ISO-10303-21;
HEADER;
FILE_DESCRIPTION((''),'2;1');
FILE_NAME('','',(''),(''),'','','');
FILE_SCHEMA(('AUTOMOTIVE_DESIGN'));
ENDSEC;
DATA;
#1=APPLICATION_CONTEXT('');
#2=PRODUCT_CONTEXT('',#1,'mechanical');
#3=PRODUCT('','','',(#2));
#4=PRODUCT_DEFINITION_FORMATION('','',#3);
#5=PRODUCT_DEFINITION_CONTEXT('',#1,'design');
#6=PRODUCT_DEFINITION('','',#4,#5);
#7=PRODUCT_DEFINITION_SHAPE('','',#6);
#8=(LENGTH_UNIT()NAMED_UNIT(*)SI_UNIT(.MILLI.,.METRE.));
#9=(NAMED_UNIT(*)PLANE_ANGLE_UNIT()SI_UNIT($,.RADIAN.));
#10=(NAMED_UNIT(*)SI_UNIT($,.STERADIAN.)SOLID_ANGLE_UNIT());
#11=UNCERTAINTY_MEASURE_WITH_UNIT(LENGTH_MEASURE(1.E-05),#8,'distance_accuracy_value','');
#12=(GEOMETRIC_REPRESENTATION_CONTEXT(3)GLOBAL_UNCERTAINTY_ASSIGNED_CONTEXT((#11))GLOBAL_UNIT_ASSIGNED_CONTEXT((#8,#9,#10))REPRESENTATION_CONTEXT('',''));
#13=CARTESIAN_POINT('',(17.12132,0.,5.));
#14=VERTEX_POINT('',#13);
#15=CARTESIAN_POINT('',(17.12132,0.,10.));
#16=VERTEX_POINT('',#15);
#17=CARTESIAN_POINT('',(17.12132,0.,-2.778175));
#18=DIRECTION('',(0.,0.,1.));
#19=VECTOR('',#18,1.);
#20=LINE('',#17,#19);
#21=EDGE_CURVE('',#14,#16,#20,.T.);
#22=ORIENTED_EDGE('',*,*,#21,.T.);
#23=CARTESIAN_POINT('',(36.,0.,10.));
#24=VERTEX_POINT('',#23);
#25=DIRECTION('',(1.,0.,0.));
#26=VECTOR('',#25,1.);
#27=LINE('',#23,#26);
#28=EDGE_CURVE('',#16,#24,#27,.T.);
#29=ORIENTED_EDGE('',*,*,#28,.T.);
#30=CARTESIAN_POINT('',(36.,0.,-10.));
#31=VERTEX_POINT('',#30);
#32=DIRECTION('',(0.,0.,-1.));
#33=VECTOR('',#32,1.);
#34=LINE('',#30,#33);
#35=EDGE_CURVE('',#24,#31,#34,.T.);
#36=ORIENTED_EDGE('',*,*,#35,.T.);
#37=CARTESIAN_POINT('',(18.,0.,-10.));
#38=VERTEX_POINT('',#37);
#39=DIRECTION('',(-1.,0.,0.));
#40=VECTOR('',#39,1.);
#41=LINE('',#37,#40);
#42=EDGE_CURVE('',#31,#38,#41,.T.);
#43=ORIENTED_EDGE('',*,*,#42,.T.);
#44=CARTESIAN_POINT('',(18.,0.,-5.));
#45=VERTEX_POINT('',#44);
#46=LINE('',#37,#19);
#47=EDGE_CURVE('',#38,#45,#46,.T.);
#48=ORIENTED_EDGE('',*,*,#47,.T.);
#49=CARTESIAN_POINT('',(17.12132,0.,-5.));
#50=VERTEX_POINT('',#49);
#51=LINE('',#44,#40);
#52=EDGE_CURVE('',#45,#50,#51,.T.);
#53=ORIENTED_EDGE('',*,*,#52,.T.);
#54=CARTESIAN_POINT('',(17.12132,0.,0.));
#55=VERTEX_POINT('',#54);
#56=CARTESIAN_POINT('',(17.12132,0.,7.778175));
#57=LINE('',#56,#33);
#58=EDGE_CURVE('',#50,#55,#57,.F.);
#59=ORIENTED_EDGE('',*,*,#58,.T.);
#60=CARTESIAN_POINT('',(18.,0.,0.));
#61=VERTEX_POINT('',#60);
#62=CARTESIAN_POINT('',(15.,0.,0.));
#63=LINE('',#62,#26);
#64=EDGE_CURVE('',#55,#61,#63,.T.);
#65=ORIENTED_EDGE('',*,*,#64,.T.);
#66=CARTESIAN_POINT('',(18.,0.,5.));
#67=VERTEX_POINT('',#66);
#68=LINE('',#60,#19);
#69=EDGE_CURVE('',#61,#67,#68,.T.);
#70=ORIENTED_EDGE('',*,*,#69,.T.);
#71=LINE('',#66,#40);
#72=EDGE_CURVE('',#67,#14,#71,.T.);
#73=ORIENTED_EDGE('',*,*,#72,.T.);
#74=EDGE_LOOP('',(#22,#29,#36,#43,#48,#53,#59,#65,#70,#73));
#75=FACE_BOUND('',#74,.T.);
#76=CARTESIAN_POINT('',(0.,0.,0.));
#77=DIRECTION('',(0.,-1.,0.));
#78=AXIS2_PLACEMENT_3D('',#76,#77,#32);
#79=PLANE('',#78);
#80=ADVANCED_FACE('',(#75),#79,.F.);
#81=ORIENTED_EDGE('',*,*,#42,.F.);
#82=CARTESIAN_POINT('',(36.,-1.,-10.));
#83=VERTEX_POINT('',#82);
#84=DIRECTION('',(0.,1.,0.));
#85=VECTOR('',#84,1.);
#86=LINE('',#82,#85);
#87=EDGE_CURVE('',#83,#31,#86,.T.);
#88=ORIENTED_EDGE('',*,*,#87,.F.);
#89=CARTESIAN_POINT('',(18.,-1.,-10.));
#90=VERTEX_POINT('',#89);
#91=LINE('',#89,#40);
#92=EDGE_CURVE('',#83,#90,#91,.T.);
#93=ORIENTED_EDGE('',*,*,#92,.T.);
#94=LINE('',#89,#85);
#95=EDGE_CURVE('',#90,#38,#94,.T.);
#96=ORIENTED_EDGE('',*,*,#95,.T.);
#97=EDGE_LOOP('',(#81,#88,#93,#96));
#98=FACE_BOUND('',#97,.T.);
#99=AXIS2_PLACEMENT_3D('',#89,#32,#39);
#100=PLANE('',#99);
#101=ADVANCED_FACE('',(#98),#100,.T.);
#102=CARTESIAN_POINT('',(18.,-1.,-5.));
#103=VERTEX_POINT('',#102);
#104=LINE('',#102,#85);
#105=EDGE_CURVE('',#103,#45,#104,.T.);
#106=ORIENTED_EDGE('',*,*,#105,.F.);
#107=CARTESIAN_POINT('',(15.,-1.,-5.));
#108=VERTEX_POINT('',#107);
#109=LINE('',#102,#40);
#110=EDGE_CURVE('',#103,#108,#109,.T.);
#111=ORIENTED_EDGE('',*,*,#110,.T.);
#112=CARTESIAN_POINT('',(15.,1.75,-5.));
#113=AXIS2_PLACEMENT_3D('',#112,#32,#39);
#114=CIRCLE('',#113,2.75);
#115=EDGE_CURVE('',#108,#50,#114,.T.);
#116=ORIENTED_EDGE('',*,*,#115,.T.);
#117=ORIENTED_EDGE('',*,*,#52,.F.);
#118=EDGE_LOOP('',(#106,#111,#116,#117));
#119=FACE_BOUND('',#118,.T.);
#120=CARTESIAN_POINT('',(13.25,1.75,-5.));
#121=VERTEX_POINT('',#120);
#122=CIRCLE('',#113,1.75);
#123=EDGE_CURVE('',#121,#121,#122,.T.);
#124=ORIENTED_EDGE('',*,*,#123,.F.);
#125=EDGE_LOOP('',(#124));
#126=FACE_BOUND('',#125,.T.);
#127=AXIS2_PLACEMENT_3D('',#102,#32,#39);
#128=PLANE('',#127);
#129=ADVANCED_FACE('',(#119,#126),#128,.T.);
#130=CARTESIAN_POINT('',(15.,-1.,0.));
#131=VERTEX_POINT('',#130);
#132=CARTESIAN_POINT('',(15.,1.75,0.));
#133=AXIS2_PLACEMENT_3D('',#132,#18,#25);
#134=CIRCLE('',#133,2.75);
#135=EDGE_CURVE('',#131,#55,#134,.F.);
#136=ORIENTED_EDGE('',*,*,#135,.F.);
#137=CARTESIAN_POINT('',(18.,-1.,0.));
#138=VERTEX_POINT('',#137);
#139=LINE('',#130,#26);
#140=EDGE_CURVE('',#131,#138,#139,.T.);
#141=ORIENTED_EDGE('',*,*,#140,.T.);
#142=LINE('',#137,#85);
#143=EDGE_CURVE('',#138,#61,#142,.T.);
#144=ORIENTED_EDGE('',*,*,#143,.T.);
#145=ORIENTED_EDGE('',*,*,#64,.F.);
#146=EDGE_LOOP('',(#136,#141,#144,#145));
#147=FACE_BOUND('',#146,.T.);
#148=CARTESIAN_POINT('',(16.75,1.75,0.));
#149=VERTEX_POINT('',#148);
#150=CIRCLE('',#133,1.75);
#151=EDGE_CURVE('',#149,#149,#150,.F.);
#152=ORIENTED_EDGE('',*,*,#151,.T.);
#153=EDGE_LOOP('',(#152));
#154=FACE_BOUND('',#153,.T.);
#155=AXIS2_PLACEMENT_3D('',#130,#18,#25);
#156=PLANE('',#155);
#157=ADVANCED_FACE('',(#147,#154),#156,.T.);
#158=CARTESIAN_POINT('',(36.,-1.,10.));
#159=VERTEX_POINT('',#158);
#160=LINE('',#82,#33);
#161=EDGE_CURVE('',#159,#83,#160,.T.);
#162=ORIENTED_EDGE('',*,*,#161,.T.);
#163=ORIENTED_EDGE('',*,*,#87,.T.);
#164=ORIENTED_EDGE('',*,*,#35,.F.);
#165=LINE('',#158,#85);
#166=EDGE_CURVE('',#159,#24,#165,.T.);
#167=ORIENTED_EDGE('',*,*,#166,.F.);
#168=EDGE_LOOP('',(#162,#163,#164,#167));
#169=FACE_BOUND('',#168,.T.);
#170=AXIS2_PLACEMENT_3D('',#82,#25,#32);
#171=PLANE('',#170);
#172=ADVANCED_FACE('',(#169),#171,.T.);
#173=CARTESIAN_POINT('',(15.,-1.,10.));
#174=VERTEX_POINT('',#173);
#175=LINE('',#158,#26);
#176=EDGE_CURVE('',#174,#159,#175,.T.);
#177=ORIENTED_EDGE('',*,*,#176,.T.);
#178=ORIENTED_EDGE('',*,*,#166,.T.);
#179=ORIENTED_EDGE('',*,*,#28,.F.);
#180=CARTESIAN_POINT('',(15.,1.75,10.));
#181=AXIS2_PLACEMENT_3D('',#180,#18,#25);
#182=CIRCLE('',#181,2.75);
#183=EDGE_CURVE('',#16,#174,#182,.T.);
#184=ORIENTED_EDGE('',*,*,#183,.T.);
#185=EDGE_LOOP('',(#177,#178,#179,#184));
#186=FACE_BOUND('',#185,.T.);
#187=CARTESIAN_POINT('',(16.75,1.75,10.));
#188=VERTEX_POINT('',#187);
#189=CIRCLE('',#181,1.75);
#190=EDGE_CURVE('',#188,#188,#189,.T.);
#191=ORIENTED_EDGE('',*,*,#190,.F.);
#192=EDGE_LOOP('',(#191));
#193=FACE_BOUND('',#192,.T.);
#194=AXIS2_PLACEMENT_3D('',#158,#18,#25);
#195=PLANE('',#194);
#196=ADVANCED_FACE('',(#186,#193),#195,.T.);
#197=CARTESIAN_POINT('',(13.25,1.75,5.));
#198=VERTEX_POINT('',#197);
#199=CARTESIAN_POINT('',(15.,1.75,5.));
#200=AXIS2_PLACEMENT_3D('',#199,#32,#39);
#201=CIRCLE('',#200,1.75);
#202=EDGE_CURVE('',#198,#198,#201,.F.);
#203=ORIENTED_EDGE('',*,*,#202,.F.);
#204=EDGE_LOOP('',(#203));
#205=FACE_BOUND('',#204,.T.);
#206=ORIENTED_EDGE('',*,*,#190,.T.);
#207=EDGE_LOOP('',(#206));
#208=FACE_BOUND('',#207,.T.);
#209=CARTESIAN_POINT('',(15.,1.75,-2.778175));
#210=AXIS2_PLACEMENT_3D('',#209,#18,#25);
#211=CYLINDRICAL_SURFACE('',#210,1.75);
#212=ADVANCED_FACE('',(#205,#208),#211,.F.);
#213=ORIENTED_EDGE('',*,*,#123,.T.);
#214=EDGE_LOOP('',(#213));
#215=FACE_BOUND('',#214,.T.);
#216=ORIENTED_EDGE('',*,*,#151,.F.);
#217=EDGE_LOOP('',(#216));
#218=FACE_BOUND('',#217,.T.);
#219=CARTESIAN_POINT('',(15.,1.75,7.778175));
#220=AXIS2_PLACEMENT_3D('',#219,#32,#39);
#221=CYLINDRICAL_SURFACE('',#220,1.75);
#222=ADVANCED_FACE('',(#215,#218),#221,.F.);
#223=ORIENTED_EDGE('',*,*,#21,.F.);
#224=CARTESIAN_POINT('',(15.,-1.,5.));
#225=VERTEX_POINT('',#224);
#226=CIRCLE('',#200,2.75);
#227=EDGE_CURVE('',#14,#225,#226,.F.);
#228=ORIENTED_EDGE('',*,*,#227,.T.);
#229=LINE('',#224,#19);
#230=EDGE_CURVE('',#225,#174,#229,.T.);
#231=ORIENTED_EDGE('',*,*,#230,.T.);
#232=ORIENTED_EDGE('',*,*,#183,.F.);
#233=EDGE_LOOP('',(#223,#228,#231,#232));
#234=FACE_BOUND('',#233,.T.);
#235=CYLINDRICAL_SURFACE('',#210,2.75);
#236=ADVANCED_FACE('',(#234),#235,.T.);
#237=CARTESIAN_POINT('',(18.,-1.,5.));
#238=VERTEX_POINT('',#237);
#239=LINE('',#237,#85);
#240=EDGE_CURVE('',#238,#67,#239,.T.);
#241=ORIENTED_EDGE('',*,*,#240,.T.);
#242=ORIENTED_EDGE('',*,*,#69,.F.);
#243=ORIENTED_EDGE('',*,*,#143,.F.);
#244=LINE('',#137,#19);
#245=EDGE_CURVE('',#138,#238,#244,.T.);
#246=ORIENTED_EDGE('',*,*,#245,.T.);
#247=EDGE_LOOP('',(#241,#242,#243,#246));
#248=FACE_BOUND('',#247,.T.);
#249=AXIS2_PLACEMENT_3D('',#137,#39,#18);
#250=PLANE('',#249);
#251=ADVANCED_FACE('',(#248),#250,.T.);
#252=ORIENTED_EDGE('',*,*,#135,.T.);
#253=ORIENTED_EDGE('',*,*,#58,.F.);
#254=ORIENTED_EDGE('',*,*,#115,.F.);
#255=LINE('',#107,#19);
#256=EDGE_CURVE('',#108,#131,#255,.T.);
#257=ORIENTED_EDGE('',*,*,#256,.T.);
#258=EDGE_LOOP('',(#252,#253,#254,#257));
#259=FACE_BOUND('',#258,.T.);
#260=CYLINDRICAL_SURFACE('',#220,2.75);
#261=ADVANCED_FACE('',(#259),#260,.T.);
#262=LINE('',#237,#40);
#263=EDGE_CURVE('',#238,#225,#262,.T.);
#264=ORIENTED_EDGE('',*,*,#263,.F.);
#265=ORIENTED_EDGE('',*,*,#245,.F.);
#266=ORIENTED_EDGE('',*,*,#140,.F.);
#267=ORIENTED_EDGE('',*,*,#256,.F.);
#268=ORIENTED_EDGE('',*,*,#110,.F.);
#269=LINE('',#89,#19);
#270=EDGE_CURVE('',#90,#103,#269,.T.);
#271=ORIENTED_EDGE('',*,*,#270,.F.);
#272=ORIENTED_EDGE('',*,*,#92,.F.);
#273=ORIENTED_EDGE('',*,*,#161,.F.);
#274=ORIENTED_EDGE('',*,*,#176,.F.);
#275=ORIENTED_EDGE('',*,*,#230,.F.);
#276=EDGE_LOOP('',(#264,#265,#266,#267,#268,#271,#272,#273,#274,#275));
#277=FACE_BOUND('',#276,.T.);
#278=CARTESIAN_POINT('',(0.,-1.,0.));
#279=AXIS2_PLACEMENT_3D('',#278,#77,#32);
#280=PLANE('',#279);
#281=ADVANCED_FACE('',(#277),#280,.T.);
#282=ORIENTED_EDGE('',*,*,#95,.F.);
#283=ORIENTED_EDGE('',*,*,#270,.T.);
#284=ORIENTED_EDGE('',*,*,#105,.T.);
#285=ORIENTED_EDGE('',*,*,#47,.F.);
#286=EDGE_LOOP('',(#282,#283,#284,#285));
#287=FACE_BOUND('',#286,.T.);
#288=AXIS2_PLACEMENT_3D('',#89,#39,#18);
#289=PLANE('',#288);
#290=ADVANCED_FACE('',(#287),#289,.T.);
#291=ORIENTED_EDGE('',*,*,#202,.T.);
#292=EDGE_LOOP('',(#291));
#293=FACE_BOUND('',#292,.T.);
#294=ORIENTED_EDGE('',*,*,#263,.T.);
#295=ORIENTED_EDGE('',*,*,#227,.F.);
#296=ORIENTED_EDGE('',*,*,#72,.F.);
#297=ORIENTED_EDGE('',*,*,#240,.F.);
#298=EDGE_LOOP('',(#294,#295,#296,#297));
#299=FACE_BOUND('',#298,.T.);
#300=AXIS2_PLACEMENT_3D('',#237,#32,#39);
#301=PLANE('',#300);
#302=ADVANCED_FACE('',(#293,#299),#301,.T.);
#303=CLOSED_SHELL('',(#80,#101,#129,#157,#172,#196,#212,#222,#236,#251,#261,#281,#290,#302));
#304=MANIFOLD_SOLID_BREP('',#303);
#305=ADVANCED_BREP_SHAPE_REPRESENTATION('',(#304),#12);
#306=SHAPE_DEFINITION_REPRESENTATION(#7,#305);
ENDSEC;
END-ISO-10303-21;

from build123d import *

# Parameters (mm, degrees)
BOSS_EXTRUDE1_DEPTH = 1
SKETCH2_R           = 2.75
SKETCH2_R_2         = 1.75
BOSS_EXTRUDE2_DEPTH = 5
BOSS_EXTRUDE3_START = -5
SKETCH3_R           = 2.75
SKETCH3_R_2         = 1.75
BOSS_EXTRUDE3_DEPTH = 5


with BuildPart() as part:
    # Sketch1 → Boss-Extrude1 (new body)
    with BuildSketch(Plane(origin=(0, 0, 0), x_dir=(1, 0, 0), z_dir=(0, 1, 0))):
        Polygon((18, 10), (18, 5), (15, 5), (15, 0), (18, 0), (18, -5), (15, -5), (15, -10), (36, -10), (36, 10), align=None)
    extrude(amount=-BOSS_EXTRUDE1_DEPTH)

    # Sketch2 → Boss-Extrude2 (add)
    with BuildSketch(Plane.XY.offset(10)):
        with Locations((15, 1.75)):
            Circle(SKETCH2_R)
        with Locations((15, 1.75)):
            Circle(SKETCH2_R_2, mode=Mode.SUBTRACT)
    extrude(amount=-BOSS_EXTRUDE2_DEPTH)

    # Sketch3 → Boss-Extrude3 (add)
    with BuildSketch(Plane(origin=(0, 0, -5), x_dir=(-1, 0, 0), z_dir=(0, 0, -1)).offset(BOSS_EXTRUDE3_START)):
        with Locations((-15, 1.75)):
            Circle(SKETCH3_R)
        with Locations(Location((-15, 1.75, 0), (0, 0, 180))):
            Circle(SKETCH3_R_2, mode=Mode.SUBTRACT)
    extrude(amount=BOSS_EXTRUDE3_DEPTH)


solid = part.part
